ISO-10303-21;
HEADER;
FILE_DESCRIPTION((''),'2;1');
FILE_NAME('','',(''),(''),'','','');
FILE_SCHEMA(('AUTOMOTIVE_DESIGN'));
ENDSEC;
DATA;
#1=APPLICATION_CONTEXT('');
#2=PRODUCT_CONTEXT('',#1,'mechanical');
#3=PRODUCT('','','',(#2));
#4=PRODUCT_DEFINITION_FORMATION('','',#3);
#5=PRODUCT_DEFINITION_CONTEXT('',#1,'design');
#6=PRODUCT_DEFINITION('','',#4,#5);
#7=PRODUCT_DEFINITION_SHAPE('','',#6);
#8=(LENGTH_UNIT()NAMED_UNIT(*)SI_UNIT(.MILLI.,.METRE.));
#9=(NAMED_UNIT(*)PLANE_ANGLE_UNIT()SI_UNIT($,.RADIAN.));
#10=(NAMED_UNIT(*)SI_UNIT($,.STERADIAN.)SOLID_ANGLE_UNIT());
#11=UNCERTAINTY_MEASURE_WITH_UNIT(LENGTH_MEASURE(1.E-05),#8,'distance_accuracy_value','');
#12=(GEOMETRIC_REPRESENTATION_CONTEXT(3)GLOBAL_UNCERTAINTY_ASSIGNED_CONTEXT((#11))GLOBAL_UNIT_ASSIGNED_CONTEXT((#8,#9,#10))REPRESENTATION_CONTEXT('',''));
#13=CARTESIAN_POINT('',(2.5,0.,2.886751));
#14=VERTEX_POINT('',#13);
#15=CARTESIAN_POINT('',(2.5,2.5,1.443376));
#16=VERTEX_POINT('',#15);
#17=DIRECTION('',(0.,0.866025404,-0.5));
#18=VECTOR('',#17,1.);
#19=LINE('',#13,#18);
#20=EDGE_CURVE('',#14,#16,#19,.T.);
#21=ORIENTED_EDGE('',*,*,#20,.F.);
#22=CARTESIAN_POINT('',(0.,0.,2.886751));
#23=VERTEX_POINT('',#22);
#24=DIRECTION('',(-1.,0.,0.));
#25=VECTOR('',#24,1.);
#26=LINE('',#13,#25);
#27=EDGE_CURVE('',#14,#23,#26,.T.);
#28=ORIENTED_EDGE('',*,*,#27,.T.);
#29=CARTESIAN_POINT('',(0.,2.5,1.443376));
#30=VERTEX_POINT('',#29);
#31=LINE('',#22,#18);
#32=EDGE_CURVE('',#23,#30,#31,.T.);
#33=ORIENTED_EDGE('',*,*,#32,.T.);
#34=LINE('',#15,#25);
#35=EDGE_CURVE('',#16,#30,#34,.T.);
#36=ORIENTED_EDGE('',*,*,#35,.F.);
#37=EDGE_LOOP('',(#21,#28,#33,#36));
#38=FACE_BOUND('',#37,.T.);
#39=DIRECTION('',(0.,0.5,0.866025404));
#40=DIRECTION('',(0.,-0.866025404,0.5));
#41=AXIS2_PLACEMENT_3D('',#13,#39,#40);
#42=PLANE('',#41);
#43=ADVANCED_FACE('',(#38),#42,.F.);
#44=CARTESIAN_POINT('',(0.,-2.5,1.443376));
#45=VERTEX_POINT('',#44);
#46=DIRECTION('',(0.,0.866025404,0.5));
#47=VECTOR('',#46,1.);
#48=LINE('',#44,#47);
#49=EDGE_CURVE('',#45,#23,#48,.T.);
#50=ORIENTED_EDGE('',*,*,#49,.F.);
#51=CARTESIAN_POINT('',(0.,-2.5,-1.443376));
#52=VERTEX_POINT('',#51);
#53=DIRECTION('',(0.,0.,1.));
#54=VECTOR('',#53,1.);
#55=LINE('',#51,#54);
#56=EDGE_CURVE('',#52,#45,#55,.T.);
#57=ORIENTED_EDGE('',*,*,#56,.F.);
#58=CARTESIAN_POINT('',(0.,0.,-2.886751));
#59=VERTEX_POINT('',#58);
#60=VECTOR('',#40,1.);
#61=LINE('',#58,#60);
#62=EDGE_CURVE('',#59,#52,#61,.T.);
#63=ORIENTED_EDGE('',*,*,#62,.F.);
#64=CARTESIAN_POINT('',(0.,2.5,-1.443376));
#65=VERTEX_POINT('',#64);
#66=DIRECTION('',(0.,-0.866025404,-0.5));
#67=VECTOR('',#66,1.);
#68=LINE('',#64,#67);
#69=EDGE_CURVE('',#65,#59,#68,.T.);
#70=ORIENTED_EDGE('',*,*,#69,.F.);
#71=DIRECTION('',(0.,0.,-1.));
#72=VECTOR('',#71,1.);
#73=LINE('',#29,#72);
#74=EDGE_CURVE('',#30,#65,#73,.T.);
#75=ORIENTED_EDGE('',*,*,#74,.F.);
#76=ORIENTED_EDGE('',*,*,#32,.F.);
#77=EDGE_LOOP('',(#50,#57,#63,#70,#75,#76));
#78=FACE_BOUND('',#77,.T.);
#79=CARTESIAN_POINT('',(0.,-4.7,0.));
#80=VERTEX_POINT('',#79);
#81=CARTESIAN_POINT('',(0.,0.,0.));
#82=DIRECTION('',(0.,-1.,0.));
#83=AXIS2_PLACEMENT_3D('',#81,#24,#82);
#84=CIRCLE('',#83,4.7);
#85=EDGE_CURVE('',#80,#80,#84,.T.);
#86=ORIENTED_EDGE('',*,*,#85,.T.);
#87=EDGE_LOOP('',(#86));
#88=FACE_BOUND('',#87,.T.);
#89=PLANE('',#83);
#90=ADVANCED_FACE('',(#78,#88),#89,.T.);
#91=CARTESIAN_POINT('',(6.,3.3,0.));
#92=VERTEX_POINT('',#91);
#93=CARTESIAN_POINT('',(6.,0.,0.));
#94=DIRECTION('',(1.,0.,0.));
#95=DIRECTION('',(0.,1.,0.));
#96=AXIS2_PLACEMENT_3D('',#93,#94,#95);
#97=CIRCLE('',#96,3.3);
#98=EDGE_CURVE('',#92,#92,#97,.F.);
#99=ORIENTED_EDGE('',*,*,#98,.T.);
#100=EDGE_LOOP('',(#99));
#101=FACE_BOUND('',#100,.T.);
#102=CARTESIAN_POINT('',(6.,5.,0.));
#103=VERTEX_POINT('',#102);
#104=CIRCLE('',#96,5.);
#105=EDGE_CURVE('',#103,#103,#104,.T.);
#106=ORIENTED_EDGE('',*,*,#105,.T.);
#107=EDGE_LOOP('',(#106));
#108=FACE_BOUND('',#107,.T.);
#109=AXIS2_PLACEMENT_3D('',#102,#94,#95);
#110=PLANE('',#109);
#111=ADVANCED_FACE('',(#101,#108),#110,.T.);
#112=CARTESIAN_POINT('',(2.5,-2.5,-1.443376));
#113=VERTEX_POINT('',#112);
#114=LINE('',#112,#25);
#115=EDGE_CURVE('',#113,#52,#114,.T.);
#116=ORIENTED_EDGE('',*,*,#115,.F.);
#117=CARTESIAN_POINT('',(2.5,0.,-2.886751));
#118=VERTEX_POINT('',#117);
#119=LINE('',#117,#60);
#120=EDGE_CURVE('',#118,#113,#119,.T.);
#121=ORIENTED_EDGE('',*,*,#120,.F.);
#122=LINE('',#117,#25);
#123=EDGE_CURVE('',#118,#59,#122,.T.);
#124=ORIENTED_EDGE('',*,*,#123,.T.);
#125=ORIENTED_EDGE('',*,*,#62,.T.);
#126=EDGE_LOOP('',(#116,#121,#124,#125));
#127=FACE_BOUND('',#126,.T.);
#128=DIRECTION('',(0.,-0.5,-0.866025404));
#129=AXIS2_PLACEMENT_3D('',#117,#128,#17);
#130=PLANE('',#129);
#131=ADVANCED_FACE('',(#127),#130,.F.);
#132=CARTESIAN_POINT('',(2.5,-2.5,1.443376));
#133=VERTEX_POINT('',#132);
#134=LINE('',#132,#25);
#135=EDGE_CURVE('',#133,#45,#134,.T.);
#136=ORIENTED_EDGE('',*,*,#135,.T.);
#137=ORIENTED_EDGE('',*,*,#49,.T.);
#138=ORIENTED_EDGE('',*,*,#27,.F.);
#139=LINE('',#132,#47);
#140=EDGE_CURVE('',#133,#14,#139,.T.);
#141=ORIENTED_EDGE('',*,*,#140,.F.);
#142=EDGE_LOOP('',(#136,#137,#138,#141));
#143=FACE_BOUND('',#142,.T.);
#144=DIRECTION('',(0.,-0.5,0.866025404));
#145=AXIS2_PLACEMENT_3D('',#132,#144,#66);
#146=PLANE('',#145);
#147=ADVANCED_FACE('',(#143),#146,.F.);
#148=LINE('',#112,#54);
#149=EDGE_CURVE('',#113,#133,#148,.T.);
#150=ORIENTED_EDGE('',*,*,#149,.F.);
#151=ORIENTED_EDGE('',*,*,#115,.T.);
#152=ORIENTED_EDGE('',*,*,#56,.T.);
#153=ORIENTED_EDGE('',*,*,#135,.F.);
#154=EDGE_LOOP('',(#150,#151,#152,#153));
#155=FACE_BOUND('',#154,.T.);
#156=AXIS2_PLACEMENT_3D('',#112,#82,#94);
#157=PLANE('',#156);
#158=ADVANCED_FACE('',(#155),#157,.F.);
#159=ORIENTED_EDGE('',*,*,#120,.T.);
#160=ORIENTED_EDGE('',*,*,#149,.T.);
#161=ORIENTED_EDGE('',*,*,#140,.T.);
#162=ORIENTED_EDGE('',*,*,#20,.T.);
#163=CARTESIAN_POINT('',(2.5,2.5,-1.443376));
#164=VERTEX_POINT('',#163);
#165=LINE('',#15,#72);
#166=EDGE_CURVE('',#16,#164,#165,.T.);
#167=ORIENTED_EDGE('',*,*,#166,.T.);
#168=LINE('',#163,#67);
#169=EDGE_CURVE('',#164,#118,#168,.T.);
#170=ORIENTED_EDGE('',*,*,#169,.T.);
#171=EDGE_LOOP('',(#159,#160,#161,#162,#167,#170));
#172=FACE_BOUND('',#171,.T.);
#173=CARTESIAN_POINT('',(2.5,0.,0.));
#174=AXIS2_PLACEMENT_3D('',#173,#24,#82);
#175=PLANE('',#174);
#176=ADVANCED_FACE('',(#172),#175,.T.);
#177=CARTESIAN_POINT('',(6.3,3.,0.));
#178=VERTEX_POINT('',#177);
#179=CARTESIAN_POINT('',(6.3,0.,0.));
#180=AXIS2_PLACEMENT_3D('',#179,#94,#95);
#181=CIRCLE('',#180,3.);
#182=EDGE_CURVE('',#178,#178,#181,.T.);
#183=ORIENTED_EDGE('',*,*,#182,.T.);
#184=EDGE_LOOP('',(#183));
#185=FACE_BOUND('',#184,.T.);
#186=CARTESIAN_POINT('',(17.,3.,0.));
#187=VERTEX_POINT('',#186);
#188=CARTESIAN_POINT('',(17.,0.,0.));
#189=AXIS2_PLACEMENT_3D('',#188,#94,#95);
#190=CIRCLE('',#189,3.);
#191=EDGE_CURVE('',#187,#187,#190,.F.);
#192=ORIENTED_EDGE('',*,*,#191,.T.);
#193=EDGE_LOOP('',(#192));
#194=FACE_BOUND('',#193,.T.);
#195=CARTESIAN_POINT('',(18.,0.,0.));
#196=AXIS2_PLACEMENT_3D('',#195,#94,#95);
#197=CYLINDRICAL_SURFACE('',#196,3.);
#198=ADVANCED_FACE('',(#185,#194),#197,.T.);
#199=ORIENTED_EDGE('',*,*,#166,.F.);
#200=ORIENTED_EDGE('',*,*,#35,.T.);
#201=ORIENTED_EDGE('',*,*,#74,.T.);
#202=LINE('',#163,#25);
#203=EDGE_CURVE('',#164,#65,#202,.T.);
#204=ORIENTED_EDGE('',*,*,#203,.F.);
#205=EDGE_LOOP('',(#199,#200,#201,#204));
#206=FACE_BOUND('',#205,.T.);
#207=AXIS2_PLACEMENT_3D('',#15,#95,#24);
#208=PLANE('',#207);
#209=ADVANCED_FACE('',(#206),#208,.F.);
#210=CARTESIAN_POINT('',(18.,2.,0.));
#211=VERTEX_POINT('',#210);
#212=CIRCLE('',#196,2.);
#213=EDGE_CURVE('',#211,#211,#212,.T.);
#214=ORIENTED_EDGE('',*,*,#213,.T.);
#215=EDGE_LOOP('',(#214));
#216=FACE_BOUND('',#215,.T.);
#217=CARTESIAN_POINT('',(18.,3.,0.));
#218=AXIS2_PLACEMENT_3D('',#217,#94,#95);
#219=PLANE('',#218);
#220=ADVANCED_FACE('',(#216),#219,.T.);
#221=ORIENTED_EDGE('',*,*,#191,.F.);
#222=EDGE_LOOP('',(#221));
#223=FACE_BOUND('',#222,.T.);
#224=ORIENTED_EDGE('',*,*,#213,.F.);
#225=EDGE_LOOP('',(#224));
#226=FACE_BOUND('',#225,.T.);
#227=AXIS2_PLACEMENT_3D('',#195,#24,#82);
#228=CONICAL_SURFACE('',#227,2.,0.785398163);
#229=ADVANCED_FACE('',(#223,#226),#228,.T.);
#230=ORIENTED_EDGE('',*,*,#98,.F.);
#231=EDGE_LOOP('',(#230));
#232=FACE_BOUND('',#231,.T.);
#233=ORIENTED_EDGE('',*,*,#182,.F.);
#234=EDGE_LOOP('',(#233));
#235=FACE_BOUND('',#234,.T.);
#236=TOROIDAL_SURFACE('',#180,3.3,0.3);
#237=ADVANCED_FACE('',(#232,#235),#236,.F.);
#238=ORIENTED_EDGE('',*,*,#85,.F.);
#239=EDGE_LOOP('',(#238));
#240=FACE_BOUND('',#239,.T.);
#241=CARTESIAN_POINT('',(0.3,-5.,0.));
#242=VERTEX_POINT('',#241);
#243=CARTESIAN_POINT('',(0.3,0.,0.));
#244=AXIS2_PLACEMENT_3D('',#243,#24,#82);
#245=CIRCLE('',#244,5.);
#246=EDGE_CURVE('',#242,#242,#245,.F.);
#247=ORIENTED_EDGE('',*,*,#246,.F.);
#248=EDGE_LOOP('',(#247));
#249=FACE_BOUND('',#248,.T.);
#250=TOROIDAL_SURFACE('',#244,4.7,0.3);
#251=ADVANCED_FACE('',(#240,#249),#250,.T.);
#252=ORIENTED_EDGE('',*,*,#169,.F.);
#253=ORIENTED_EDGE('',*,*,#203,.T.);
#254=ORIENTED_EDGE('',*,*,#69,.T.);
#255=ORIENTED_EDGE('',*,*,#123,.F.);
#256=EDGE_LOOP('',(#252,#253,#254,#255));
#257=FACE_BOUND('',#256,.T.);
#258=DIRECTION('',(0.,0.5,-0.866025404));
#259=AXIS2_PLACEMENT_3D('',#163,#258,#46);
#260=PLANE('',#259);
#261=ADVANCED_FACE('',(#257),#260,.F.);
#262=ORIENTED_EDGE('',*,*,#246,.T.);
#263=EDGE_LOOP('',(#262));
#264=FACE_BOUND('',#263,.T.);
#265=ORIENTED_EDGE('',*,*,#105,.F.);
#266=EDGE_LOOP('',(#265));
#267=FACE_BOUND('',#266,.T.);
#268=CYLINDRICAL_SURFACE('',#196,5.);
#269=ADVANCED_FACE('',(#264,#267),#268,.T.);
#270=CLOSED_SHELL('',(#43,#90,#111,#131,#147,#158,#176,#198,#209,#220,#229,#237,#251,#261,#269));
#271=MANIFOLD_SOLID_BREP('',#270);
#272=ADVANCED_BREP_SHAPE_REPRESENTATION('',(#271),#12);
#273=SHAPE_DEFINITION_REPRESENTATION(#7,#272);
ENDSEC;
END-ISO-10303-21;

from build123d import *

# Parameters (mm, degrees)
CUT_EXTRUDE_1_DEPTH = 2.5
FILLET_1_R          = 0.3
CHAMFER_1_SIZE      = 1


with BuildPart() as part:
    # Эскиз1 → Повернуть1 (revolve)
    with BuildSketch(Plane.XY):
        Polygon((0, 0), (0, 5), (6, 5), (6, 3), (18, 3), (18, 0), align=None)
    revolve(axis=Axis((18, 0, 0), (-1, 0, 0)))

    # Эскиз2 → Вырез-Вытянуть1 (cut)
    with BuildSketch(Plane.ZY):
        Polygon((-1.443375673, 2.5), (-2.886751346, 0), (-1.443375673, -2.5), (1.443375673, -2.5), (2.886751346, 0), (1.443375673, 2.5), align=None)
    extrude(amount=-CUT_EXTRUDE_1_DEPTH, mode=Mode.SUBTRACT)

    # Скругление1
    fillet_1_edges = [part.edges().sort_by_distance(p)[0] for p in [
        (6, -3, 0),
        (0, -5, 0),
    ]]
    fillet(fillet_1_edges, radius=FILLET_1_R)

    # Фаска1
    chamfer_1_edges = [part.edges().sort_by_distance(p)[0] for p in [
        (18, -3, 0),
    ]]
    chamfer(chamfer_1_edges, length=CHAMFER_1_SIZE)


solid = part.part
